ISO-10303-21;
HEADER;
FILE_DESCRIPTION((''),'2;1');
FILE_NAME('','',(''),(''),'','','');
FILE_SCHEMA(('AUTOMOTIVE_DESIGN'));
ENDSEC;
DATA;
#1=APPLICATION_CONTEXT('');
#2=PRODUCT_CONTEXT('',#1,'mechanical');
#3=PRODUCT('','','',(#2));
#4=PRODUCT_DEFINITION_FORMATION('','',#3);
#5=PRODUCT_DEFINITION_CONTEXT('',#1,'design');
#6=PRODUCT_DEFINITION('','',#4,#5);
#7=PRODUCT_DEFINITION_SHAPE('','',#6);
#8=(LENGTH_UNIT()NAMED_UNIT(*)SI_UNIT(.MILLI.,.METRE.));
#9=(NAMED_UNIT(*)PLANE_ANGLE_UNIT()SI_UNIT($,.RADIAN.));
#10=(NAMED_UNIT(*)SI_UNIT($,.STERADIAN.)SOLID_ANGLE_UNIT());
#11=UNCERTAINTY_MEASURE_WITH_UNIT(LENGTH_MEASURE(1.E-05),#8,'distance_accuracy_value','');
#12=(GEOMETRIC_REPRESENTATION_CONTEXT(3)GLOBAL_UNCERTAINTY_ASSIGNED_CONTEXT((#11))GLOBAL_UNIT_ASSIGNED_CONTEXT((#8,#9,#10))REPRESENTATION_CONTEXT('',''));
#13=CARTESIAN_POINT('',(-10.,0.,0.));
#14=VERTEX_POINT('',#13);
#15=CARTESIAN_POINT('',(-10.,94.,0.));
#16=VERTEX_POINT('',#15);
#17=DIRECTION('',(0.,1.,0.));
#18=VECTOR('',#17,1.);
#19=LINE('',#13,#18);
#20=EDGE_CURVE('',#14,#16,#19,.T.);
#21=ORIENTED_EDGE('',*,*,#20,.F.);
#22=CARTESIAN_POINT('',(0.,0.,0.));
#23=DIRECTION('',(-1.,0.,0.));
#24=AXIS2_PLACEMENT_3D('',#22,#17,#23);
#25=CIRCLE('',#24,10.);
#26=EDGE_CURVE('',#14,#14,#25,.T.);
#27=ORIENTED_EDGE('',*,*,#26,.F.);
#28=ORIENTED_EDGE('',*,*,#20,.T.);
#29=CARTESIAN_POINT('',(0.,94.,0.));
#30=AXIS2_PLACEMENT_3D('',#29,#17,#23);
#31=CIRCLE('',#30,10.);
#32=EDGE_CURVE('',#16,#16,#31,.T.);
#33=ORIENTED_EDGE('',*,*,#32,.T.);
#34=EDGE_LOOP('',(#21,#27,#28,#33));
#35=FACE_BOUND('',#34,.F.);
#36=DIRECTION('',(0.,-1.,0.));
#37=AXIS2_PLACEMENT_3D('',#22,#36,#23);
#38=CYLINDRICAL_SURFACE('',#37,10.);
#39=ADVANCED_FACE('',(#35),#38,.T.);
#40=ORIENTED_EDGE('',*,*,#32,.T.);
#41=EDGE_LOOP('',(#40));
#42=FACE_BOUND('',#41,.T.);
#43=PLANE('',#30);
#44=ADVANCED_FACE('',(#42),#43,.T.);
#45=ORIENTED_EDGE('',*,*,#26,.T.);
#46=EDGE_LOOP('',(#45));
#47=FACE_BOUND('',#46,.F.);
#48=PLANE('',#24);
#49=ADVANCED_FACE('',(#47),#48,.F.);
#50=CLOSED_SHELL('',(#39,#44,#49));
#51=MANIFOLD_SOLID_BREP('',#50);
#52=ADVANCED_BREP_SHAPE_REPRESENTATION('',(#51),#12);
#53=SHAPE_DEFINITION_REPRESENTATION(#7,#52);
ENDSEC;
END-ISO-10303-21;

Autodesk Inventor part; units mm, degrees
ref_plane "YZ Plane" through (0, 0, 0) normal (1, 0, 0) x (0, 1, 0)
ref_plane "XZ Plane" through (0, 0, 0) normal (0, 1, 0) x (-1, 0, 0)
ref_plane "XY Plane" through (0, 0, 0) normal (0, 0, 1) x (1, 0, 0)
sketch "Sketch1" plane through (0, 0, 0) normal (0, 1, 0) x (-1, 0, 0)
  circle A0 centre (0, 0) radius 10
  dimension "d0" = 20
extrude "Extrusion1" add sketch "Sketch1" along normal blind 94
properties part number "foot"
